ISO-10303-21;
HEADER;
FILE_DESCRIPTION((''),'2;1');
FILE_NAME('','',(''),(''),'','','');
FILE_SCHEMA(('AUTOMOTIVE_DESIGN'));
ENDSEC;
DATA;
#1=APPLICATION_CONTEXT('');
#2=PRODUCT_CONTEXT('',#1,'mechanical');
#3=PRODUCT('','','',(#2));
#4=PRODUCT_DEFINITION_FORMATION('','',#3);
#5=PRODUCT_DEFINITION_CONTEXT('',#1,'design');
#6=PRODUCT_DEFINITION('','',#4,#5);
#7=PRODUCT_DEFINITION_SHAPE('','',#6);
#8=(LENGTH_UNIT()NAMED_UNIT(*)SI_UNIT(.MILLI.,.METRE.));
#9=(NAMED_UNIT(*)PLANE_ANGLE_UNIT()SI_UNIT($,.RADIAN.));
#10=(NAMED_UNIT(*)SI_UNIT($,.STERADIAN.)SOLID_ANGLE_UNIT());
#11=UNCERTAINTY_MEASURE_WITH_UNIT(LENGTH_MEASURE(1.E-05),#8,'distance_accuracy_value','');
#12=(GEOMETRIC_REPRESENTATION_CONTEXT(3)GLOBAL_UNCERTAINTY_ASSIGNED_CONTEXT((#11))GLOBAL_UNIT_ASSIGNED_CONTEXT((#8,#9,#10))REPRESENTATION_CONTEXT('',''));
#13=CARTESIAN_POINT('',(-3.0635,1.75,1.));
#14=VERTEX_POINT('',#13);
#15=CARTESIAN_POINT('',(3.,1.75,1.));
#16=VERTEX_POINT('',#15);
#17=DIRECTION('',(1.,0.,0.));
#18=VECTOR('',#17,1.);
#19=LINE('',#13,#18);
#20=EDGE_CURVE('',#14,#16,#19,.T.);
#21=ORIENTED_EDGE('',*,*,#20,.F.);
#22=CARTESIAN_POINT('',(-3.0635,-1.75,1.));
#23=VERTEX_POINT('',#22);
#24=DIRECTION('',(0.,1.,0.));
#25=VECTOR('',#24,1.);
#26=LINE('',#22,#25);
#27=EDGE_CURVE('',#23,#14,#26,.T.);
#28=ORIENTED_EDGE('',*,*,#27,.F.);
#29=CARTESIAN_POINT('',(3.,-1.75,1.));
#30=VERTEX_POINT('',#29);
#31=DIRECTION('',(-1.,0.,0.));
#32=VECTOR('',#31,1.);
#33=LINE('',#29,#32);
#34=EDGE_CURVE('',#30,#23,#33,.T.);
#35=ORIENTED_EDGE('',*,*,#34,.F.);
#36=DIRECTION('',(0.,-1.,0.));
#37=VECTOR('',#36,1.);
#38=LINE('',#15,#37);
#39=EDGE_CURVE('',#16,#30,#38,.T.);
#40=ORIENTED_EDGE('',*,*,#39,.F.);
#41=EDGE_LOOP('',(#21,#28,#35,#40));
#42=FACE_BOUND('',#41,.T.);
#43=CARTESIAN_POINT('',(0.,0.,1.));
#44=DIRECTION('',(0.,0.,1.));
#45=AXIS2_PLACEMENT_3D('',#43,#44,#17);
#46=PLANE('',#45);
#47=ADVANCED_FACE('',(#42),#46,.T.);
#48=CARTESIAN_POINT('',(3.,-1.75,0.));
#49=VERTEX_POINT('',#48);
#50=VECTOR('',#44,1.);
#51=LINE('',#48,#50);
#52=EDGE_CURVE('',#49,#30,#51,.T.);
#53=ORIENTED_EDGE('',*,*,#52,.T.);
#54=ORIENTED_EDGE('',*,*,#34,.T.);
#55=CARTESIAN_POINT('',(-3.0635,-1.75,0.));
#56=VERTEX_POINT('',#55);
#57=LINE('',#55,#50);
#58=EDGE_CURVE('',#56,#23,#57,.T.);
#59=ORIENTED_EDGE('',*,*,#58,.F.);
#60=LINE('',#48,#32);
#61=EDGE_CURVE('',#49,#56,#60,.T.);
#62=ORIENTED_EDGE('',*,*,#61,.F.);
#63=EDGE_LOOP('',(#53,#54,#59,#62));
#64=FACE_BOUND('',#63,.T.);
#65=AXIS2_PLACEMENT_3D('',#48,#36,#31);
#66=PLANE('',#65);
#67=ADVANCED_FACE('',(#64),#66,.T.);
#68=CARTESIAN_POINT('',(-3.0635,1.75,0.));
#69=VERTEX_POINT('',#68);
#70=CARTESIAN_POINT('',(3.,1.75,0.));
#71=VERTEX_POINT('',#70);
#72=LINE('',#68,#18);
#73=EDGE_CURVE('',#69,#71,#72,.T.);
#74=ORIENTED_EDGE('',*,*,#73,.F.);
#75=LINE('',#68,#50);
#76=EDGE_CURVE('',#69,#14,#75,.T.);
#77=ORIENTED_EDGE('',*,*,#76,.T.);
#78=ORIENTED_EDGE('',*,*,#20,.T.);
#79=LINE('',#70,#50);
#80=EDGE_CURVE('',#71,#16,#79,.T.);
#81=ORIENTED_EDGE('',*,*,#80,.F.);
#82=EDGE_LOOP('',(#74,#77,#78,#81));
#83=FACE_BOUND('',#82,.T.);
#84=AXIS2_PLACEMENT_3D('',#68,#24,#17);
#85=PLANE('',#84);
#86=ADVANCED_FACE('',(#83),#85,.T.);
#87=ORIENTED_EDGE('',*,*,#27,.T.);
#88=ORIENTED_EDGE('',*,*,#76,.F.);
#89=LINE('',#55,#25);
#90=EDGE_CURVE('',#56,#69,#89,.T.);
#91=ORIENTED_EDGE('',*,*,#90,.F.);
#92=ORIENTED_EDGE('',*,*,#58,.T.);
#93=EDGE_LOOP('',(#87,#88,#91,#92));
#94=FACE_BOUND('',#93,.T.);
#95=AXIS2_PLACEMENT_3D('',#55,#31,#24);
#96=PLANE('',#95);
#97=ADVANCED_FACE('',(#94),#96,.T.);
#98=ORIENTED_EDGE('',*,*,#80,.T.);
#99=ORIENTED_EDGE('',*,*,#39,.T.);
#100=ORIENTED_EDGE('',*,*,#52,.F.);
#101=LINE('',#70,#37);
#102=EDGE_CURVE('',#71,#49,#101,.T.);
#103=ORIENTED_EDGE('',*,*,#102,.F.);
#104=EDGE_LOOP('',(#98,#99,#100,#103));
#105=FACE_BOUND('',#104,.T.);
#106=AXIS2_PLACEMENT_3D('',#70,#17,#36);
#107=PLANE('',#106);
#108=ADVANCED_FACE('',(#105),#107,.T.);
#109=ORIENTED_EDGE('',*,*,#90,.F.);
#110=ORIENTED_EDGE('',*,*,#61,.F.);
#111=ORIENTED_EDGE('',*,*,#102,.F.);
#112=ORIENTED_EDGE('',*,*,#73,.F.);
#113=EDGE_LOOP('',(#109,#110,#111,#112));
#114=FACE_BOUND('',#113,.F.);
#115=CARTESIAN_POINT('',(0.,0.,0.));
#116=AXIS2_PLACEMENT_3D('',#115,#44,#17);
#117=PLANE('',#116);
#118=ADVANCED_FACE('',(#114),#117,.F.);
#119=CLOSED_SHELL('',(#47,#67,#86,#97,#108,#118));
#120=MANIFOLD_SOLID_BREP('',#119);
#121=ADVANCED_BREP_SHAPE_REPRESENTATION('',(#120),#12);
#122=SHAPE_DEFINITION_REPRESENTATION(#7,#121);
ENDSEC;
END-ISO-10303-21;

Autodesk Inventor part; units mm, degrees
ref_plane "YZ Plane" through (0, 0, 0) normal (1, 0, 0) x (0, 1, 0)
ref_plane "XZ Plane" through (0, 0, 0) normal (0, 1, 0) x (-1, 0, 0)
ref_plane "XY Plane" through (0, 0, 0) normal (0, 0, 1) x (1, 0, 0)
sketch3d "TACTILE_SWITCH_SMD_6_0X3_5MM, MOMENTARY-SWITCH-SPST-SMD-6_0X"
sketch "TACTILE_SWITCH_SMD_6_0X3_5MM, MOMENTARY-SWITCH-SPST-SMD-6_0X3_5MM_54" plane through (0, 0, 0) normal (0, 0, 1) x (1, 0, 0)
  line L0 (-3.0635, 1.75) -> (3, 1.75)
  line L1 (3, 1.75) -> (3, -1.75)
  line L2 (3, -1.75) -> (-3.0635, -1.75)
  line L3 (-3.0635, -1.75) -> (-3.0635, 1.75)
extrude "Extrusion1" add sketch "TACTILE_SWITCH_SMD_6_0X3_5MM, MOMENTARY-SWITCH-SPST-SMD-6_0X3_5MM_54" along normal blind 1
properties part number "MOMENTARY-SWITCH-SPST-SMD-6_0X3_5MM"
